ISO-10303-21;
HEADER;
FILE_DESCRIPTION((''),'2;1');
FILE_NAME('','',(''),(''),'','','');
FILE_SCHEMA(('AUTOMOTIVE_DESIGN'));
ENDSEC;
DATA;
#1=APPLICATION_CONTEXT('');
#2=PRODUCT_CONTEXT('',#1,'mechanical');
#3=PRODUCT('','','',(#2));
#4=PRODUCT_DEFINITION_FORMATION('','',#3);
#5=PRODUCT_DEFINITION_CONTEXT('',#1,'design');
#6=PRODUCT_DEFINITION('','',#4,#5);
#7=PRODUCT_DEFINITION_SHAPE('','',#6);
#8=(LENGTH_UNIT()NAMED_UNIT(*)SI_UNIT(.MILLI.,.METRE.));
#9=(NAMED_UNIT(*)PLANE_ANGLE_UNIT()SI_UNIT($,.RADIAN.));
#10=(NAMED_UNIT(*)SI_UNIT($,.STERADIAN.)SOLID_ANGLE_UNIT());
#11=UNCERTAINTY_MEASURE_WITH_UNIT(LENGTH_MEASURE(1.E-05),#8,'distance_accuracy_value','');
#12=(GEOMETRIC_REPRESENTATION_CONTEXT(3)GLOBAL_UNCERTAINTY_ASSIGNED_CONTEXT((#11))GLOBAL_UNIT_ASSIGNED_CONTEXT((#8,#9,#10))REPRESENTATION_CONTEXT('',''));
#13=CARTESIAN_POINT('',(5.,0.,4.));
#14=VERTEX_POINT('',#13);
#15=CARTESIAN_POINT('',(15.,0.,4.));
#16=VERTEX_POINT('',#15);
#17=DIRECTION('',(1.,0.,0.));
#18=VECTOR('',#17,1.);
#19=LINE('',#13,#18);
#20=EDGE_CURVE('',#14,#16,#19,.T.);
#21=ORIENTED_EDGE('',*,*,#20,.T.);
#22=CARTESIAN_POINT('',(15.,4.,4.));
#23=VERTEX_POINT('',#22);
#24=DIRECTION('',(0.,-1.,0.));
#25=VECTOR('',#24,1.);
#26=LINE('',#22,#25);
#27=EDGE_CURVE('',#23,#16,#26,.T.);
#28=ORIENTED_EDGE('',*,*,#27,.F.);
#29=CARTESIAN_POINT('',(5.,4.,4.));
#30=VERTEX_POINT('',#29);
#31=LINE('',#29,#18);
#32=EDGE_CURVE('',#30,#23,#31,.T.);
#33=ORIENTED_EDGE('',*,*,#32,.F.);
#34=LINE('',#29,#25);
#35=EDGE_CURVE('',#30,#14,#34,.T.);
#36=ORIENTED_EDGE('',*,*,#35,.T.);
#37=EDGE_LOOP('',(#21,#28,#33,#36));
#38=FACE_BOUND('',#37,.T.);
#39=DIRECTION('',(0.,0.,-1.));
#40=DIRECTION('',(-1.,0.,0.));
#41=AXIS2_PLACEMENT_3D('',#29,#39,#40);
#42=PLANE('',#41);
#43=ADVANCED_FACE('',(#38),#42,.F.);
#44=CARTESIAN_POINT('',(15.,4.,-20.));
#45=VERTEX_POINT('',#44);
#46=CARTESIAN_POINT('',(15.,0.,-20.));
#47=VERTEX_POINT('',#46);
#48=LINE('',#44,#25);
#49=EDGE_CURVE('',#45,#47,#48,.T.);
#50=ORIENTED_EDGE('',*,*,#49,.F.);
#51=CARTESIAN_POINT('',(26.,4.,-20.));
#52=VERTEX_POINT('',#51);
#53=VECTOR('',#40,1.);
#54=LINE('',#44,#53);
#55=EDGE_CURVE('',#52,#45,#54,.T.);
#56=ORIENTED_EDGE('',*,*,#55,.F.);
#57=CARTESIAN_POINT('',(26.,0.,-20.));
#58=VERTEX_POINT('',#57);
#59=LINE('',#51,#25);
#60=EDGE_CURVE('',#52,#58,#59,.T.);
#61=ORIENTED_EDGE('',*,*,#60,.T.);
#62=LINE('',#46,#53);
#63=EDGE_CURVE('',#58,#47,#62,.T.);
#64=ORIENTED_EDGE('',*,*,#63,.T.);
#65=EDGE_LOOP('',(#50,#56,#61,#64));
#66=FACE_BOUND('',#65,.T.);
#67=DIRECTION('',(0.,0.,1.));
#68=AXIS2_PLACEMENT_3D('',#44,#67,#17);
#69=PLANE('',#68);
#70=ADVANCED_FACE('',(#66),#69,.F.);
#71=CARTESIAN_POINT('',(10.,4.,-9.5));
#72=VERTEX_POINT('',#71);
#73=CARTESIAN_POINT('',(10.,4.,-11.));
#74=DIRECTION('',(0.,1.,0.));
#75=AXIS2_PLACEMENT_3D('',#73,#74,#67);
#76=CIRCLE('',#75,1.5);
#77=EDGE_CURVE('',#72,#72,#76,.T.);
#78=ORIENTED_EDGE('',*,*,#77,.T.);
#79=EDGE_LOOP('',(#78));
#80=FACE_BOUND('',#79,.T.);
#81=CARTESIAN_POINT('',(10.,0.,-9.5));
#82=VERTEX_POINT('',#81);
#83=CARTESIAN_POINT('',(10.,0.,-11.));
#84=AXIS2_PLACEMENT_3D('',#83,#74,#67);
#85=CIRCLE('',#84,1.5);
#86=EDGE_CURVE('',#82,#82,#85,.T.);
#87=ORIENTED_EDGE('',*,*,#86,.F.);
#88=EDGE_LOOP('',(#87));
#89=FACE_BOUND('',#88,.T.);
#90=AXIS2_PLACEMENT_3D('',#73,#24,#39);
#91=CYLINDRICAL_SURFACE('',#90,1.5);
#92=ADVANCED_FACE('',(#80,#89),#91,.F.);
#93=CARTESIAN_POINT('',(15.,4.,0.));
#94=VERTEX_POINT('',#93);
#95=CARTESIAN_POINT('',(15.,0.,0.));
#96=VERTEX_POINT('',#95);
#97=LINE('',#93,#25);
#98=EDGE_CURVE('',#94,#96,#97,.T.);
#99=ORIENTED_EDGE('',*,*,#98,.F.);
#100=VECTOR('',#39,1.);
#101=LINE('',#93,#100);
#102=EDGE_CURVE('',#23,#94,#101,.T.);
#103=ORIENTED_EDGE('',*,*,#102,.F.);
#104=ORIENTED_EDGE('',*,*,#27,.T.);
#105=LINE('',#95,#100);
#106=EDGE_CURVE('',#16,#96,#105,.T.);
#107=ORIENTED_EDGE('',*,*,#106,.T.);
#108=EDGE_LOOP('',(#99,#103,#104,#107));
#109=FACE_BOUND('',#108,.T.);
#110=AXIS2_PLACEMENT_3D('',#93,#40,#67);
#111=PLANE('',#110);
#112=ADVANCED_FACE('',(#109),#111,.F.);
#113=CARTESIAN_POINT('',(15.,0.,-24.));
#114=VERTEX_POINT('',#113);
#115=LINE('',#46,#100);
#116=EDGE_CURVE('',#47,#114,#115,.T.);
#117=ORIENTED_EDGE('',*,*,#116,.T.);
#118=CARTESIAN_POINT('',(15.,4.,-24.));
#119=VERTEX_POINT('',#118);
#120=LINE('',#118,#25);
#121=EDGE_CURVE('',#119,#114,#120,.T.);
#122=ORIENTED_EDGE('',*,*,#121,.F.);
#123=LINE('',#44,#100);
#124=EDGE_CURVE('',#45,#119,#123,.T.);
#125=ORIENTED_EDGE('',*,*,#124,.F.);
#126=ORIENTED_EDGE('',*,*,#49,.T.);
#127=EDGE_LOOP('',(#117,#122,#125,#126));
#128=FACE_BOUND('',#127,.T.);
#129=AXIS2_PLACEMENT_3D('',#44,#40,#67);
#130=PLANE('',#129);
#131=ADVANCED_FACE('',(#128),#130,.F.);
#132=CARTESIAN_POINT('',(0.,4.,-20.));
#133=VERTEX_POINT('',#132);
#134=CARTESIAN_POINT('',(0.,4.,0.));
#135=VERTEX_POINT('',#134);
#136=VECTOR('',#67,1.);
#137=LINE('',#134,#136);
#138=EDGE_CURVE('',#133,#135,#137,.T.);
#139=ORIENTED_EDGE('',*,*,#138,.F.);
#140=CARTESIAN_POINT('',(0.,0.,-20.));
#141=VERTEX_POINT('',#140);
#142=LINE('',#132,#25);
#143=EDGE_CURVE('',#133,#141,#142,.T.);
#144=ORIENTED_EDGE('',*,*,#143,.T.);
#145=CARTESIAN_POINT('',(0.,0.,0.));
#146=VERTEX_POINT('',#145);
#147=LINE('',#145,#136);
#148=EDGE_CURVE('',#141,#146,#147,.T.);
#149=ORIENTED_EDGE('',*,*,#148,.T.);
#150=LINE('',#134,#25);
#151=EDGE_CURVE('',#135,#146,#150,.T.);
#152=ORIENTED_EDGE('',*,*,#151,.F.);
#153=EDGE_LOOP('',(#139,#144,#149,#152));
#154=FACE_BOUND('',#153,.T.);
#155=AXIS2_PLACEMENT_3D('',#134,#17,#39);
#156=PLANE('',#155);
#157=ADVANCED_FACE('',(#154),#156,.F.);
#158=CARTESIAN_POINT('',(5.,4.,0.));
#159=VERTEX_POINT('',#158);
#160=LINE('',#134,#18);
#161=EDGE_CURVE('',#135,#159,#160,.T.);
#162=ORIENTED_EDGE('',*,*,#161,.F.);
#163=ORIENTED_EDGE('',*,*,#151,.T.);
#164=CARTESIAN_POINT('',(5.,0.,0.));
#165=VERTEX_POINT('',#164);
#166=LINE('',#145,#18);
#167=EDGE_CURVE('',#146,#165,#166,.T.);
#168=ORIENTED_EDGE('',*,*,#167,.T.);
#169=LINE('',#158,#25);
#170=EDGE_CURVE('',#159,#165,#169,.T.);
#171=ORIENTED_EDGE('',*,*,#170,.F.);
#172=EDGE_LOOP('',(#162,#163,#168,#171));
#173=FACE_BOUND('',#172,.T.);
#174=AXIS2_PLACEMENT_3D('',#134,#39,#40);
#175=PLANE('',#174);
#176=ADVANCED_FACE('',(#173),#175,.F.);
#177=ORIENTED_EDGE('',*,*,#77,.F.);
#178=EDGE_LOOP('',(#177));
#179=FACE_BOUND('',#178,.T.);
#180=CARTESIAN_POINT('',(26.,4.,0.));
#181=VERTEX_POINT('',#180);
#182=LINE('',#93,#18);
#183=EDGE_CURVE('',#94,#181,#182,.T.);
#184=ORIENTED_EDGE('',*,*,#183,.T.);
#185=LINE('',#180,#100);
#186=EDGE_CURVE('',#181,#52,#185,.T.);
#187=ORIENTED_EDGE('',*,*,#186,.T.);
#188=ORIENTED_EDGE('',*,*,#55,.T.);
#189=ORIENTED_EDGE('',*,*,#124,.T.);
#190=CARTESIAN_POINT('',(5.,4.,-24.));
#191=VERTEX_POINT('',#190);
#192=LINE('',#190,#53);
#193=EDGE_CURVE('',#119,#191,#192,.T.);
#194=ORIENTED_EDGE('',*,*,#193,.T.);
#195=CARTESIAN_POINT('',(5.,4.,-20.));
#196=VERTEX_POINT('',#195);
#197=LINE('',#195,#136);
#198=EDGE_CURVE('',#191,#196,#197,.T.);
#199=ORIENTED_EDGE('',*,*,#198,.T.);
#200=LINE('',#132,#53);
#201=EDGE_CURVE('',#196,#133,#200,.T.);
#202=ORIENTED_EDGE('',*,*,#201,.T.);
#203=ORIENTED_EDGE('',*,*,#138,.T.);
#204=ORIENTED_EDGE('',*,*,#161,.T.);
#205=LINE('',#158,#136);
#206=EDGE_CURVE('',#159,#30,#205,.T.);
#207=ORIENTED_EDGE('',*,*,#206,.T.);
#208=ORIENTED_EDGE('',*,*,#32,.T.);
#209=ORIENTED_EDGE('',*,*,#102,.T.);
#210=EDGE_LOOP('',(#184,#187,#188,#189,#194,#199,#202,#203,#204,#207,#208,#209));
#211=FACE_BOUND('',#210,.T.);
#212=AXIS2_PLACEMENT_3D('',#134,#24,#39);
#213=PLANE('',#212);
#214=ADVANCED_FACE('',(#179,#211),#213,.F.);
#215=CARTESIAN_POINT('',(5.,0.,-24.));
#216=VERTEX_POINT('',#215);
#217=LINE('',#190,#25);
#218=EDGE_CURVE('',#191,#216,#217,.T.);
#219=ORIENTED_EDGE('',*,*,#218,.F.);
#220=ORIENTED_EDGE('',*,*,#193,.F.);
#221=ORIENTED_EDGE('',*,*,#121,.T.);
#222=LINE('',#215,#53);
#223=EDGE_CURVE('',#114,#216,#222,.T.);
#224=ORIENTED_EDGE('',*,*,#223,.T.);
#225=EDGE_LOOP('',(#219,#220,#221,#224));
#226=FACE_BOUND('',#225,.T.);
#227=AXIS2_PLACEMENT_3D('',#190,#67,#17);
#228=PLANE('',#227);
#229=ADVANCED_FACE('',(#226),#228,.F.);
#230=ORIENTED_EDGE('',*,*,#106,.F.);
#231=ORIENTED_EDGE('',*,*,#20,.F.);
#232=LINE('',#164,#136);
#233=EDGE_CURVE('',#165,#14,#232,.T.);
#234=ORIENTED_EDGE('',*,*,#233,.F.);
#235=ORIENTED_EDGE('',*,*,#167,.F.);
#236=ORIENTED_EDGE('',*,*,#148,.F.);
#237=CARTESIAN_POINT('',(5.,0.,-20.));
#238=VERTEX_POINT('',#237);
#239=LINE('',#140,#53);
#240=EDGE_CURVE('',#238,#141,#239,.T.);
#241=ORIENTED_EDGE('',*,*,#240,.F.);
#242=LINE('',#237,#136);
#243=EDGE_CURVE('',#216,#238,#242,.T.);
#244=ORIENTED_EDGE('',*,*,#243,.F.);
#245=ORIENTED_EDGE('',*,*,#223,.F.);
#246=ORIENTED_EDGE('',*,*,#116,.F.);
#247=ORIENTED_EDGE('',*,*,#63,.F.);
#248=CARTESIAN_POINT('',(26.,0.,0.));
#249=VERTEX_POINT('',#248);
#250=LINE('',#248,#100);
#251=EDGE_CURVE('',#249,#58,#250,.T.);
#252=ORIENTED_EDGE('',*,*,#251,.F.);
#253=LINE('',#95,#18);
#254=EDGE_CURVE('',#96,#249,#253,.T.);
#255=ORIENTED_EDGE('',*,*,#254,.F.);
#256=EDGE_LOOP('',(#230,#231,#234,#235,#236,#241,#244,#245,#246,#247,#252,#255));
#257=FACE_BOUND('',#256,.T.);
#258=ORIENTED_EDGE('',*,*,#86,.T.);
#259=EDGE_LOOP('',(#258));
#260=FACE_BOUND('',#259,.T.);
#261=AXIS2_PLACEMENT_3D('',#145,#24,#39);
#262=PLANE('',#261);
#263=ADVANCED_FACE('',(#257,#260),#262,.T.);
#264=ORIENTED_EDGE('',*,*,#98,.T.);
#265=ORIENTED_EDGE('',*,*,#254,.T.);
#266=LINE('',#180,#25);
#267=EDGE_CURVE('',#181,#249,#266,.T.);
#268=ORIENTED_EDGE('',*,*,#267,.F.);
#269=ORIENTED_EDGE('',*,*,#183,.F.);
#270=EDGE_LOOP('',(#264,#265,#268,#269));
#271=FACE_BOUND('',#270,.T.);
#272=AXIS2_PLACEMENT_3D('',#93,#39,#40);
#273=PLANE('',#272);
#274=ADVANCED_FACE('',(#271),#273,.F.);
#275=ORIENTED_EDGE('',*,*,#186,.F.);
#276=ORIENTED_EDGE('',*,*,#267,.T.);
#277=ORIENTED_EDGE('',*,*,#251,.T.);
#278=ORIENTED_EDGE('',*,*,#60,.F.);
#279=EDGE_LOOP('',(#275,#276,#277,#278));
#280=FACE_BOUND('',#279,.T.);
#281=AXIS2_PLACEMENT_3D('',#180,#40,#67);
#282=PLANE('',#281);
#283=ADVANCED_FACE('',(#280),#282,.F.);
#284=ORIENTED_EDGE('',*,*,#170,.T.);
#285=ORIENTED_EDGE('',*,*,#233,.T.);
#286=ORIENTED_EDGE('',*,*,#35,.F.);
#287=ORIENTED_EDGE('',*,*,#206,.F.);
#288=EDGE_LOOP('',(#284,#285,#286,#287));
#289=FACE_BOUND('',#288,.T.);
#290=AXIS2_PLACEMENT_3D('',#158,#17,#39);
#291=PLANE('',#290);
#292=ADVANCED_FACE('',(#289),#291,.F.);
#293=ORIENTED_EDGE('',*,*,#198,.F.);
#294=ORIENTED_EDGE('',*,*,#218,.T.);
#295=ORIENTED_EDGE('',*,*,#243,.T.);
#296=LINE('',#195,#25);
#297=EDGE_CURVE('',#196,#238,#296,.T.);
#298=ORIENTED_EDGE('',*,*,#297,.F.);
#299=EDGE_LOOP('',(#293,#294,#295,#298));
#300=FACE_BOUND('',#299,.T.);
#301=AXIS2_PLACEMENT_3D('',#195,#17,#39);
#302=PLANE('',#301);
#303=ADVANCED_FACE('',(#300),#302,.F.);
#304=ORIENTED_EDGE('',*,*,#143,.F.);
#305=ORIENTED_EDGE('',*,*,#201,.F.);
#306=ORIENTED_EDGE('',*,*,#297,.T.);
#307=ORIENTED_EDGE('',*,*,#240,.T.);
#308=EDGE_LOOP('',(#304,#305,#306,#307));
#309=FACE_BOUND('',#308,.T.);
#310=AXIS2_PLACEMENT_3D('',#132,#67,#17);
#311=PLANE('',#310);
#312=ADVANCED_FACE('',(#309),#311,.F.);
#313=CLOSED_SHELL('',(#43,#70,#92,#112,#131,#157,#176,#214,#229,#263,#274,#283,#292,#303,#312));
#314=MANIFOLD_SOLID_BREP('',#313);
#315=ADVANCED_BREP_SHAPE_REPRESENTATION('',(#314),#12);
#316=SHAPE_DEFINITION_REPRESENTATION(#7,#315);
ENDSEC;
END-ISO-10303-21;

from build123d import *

# Parameters (mm, degrees)
SKETCH1_R           = 1.5
BOSS_EXTRUDE2_DEPTH = 4


with BuildPart() as part:
    # Sketch1 → Boss-Extrude2 (new body)
    with BuildSketch(Plane(origin=(0, 0, 0), x_dir=(1, 0, 0), z_dir=(0, 1, 0))):
        Polygon((15, 20), (26, 20), (26, 0), (15, 0), (15, -4), (5, -4), (5, 0), (0, 0), (0, 20), (5, 20), (5, 24), (15, 24), align=None)
        with Locations((10, 11)):
            Circle(SKETCH1_R, mode=Mode.SUBTRACT)
    extrude(amount=BOSS_EXTRUDE2_DEPTH)


solid = part.part
